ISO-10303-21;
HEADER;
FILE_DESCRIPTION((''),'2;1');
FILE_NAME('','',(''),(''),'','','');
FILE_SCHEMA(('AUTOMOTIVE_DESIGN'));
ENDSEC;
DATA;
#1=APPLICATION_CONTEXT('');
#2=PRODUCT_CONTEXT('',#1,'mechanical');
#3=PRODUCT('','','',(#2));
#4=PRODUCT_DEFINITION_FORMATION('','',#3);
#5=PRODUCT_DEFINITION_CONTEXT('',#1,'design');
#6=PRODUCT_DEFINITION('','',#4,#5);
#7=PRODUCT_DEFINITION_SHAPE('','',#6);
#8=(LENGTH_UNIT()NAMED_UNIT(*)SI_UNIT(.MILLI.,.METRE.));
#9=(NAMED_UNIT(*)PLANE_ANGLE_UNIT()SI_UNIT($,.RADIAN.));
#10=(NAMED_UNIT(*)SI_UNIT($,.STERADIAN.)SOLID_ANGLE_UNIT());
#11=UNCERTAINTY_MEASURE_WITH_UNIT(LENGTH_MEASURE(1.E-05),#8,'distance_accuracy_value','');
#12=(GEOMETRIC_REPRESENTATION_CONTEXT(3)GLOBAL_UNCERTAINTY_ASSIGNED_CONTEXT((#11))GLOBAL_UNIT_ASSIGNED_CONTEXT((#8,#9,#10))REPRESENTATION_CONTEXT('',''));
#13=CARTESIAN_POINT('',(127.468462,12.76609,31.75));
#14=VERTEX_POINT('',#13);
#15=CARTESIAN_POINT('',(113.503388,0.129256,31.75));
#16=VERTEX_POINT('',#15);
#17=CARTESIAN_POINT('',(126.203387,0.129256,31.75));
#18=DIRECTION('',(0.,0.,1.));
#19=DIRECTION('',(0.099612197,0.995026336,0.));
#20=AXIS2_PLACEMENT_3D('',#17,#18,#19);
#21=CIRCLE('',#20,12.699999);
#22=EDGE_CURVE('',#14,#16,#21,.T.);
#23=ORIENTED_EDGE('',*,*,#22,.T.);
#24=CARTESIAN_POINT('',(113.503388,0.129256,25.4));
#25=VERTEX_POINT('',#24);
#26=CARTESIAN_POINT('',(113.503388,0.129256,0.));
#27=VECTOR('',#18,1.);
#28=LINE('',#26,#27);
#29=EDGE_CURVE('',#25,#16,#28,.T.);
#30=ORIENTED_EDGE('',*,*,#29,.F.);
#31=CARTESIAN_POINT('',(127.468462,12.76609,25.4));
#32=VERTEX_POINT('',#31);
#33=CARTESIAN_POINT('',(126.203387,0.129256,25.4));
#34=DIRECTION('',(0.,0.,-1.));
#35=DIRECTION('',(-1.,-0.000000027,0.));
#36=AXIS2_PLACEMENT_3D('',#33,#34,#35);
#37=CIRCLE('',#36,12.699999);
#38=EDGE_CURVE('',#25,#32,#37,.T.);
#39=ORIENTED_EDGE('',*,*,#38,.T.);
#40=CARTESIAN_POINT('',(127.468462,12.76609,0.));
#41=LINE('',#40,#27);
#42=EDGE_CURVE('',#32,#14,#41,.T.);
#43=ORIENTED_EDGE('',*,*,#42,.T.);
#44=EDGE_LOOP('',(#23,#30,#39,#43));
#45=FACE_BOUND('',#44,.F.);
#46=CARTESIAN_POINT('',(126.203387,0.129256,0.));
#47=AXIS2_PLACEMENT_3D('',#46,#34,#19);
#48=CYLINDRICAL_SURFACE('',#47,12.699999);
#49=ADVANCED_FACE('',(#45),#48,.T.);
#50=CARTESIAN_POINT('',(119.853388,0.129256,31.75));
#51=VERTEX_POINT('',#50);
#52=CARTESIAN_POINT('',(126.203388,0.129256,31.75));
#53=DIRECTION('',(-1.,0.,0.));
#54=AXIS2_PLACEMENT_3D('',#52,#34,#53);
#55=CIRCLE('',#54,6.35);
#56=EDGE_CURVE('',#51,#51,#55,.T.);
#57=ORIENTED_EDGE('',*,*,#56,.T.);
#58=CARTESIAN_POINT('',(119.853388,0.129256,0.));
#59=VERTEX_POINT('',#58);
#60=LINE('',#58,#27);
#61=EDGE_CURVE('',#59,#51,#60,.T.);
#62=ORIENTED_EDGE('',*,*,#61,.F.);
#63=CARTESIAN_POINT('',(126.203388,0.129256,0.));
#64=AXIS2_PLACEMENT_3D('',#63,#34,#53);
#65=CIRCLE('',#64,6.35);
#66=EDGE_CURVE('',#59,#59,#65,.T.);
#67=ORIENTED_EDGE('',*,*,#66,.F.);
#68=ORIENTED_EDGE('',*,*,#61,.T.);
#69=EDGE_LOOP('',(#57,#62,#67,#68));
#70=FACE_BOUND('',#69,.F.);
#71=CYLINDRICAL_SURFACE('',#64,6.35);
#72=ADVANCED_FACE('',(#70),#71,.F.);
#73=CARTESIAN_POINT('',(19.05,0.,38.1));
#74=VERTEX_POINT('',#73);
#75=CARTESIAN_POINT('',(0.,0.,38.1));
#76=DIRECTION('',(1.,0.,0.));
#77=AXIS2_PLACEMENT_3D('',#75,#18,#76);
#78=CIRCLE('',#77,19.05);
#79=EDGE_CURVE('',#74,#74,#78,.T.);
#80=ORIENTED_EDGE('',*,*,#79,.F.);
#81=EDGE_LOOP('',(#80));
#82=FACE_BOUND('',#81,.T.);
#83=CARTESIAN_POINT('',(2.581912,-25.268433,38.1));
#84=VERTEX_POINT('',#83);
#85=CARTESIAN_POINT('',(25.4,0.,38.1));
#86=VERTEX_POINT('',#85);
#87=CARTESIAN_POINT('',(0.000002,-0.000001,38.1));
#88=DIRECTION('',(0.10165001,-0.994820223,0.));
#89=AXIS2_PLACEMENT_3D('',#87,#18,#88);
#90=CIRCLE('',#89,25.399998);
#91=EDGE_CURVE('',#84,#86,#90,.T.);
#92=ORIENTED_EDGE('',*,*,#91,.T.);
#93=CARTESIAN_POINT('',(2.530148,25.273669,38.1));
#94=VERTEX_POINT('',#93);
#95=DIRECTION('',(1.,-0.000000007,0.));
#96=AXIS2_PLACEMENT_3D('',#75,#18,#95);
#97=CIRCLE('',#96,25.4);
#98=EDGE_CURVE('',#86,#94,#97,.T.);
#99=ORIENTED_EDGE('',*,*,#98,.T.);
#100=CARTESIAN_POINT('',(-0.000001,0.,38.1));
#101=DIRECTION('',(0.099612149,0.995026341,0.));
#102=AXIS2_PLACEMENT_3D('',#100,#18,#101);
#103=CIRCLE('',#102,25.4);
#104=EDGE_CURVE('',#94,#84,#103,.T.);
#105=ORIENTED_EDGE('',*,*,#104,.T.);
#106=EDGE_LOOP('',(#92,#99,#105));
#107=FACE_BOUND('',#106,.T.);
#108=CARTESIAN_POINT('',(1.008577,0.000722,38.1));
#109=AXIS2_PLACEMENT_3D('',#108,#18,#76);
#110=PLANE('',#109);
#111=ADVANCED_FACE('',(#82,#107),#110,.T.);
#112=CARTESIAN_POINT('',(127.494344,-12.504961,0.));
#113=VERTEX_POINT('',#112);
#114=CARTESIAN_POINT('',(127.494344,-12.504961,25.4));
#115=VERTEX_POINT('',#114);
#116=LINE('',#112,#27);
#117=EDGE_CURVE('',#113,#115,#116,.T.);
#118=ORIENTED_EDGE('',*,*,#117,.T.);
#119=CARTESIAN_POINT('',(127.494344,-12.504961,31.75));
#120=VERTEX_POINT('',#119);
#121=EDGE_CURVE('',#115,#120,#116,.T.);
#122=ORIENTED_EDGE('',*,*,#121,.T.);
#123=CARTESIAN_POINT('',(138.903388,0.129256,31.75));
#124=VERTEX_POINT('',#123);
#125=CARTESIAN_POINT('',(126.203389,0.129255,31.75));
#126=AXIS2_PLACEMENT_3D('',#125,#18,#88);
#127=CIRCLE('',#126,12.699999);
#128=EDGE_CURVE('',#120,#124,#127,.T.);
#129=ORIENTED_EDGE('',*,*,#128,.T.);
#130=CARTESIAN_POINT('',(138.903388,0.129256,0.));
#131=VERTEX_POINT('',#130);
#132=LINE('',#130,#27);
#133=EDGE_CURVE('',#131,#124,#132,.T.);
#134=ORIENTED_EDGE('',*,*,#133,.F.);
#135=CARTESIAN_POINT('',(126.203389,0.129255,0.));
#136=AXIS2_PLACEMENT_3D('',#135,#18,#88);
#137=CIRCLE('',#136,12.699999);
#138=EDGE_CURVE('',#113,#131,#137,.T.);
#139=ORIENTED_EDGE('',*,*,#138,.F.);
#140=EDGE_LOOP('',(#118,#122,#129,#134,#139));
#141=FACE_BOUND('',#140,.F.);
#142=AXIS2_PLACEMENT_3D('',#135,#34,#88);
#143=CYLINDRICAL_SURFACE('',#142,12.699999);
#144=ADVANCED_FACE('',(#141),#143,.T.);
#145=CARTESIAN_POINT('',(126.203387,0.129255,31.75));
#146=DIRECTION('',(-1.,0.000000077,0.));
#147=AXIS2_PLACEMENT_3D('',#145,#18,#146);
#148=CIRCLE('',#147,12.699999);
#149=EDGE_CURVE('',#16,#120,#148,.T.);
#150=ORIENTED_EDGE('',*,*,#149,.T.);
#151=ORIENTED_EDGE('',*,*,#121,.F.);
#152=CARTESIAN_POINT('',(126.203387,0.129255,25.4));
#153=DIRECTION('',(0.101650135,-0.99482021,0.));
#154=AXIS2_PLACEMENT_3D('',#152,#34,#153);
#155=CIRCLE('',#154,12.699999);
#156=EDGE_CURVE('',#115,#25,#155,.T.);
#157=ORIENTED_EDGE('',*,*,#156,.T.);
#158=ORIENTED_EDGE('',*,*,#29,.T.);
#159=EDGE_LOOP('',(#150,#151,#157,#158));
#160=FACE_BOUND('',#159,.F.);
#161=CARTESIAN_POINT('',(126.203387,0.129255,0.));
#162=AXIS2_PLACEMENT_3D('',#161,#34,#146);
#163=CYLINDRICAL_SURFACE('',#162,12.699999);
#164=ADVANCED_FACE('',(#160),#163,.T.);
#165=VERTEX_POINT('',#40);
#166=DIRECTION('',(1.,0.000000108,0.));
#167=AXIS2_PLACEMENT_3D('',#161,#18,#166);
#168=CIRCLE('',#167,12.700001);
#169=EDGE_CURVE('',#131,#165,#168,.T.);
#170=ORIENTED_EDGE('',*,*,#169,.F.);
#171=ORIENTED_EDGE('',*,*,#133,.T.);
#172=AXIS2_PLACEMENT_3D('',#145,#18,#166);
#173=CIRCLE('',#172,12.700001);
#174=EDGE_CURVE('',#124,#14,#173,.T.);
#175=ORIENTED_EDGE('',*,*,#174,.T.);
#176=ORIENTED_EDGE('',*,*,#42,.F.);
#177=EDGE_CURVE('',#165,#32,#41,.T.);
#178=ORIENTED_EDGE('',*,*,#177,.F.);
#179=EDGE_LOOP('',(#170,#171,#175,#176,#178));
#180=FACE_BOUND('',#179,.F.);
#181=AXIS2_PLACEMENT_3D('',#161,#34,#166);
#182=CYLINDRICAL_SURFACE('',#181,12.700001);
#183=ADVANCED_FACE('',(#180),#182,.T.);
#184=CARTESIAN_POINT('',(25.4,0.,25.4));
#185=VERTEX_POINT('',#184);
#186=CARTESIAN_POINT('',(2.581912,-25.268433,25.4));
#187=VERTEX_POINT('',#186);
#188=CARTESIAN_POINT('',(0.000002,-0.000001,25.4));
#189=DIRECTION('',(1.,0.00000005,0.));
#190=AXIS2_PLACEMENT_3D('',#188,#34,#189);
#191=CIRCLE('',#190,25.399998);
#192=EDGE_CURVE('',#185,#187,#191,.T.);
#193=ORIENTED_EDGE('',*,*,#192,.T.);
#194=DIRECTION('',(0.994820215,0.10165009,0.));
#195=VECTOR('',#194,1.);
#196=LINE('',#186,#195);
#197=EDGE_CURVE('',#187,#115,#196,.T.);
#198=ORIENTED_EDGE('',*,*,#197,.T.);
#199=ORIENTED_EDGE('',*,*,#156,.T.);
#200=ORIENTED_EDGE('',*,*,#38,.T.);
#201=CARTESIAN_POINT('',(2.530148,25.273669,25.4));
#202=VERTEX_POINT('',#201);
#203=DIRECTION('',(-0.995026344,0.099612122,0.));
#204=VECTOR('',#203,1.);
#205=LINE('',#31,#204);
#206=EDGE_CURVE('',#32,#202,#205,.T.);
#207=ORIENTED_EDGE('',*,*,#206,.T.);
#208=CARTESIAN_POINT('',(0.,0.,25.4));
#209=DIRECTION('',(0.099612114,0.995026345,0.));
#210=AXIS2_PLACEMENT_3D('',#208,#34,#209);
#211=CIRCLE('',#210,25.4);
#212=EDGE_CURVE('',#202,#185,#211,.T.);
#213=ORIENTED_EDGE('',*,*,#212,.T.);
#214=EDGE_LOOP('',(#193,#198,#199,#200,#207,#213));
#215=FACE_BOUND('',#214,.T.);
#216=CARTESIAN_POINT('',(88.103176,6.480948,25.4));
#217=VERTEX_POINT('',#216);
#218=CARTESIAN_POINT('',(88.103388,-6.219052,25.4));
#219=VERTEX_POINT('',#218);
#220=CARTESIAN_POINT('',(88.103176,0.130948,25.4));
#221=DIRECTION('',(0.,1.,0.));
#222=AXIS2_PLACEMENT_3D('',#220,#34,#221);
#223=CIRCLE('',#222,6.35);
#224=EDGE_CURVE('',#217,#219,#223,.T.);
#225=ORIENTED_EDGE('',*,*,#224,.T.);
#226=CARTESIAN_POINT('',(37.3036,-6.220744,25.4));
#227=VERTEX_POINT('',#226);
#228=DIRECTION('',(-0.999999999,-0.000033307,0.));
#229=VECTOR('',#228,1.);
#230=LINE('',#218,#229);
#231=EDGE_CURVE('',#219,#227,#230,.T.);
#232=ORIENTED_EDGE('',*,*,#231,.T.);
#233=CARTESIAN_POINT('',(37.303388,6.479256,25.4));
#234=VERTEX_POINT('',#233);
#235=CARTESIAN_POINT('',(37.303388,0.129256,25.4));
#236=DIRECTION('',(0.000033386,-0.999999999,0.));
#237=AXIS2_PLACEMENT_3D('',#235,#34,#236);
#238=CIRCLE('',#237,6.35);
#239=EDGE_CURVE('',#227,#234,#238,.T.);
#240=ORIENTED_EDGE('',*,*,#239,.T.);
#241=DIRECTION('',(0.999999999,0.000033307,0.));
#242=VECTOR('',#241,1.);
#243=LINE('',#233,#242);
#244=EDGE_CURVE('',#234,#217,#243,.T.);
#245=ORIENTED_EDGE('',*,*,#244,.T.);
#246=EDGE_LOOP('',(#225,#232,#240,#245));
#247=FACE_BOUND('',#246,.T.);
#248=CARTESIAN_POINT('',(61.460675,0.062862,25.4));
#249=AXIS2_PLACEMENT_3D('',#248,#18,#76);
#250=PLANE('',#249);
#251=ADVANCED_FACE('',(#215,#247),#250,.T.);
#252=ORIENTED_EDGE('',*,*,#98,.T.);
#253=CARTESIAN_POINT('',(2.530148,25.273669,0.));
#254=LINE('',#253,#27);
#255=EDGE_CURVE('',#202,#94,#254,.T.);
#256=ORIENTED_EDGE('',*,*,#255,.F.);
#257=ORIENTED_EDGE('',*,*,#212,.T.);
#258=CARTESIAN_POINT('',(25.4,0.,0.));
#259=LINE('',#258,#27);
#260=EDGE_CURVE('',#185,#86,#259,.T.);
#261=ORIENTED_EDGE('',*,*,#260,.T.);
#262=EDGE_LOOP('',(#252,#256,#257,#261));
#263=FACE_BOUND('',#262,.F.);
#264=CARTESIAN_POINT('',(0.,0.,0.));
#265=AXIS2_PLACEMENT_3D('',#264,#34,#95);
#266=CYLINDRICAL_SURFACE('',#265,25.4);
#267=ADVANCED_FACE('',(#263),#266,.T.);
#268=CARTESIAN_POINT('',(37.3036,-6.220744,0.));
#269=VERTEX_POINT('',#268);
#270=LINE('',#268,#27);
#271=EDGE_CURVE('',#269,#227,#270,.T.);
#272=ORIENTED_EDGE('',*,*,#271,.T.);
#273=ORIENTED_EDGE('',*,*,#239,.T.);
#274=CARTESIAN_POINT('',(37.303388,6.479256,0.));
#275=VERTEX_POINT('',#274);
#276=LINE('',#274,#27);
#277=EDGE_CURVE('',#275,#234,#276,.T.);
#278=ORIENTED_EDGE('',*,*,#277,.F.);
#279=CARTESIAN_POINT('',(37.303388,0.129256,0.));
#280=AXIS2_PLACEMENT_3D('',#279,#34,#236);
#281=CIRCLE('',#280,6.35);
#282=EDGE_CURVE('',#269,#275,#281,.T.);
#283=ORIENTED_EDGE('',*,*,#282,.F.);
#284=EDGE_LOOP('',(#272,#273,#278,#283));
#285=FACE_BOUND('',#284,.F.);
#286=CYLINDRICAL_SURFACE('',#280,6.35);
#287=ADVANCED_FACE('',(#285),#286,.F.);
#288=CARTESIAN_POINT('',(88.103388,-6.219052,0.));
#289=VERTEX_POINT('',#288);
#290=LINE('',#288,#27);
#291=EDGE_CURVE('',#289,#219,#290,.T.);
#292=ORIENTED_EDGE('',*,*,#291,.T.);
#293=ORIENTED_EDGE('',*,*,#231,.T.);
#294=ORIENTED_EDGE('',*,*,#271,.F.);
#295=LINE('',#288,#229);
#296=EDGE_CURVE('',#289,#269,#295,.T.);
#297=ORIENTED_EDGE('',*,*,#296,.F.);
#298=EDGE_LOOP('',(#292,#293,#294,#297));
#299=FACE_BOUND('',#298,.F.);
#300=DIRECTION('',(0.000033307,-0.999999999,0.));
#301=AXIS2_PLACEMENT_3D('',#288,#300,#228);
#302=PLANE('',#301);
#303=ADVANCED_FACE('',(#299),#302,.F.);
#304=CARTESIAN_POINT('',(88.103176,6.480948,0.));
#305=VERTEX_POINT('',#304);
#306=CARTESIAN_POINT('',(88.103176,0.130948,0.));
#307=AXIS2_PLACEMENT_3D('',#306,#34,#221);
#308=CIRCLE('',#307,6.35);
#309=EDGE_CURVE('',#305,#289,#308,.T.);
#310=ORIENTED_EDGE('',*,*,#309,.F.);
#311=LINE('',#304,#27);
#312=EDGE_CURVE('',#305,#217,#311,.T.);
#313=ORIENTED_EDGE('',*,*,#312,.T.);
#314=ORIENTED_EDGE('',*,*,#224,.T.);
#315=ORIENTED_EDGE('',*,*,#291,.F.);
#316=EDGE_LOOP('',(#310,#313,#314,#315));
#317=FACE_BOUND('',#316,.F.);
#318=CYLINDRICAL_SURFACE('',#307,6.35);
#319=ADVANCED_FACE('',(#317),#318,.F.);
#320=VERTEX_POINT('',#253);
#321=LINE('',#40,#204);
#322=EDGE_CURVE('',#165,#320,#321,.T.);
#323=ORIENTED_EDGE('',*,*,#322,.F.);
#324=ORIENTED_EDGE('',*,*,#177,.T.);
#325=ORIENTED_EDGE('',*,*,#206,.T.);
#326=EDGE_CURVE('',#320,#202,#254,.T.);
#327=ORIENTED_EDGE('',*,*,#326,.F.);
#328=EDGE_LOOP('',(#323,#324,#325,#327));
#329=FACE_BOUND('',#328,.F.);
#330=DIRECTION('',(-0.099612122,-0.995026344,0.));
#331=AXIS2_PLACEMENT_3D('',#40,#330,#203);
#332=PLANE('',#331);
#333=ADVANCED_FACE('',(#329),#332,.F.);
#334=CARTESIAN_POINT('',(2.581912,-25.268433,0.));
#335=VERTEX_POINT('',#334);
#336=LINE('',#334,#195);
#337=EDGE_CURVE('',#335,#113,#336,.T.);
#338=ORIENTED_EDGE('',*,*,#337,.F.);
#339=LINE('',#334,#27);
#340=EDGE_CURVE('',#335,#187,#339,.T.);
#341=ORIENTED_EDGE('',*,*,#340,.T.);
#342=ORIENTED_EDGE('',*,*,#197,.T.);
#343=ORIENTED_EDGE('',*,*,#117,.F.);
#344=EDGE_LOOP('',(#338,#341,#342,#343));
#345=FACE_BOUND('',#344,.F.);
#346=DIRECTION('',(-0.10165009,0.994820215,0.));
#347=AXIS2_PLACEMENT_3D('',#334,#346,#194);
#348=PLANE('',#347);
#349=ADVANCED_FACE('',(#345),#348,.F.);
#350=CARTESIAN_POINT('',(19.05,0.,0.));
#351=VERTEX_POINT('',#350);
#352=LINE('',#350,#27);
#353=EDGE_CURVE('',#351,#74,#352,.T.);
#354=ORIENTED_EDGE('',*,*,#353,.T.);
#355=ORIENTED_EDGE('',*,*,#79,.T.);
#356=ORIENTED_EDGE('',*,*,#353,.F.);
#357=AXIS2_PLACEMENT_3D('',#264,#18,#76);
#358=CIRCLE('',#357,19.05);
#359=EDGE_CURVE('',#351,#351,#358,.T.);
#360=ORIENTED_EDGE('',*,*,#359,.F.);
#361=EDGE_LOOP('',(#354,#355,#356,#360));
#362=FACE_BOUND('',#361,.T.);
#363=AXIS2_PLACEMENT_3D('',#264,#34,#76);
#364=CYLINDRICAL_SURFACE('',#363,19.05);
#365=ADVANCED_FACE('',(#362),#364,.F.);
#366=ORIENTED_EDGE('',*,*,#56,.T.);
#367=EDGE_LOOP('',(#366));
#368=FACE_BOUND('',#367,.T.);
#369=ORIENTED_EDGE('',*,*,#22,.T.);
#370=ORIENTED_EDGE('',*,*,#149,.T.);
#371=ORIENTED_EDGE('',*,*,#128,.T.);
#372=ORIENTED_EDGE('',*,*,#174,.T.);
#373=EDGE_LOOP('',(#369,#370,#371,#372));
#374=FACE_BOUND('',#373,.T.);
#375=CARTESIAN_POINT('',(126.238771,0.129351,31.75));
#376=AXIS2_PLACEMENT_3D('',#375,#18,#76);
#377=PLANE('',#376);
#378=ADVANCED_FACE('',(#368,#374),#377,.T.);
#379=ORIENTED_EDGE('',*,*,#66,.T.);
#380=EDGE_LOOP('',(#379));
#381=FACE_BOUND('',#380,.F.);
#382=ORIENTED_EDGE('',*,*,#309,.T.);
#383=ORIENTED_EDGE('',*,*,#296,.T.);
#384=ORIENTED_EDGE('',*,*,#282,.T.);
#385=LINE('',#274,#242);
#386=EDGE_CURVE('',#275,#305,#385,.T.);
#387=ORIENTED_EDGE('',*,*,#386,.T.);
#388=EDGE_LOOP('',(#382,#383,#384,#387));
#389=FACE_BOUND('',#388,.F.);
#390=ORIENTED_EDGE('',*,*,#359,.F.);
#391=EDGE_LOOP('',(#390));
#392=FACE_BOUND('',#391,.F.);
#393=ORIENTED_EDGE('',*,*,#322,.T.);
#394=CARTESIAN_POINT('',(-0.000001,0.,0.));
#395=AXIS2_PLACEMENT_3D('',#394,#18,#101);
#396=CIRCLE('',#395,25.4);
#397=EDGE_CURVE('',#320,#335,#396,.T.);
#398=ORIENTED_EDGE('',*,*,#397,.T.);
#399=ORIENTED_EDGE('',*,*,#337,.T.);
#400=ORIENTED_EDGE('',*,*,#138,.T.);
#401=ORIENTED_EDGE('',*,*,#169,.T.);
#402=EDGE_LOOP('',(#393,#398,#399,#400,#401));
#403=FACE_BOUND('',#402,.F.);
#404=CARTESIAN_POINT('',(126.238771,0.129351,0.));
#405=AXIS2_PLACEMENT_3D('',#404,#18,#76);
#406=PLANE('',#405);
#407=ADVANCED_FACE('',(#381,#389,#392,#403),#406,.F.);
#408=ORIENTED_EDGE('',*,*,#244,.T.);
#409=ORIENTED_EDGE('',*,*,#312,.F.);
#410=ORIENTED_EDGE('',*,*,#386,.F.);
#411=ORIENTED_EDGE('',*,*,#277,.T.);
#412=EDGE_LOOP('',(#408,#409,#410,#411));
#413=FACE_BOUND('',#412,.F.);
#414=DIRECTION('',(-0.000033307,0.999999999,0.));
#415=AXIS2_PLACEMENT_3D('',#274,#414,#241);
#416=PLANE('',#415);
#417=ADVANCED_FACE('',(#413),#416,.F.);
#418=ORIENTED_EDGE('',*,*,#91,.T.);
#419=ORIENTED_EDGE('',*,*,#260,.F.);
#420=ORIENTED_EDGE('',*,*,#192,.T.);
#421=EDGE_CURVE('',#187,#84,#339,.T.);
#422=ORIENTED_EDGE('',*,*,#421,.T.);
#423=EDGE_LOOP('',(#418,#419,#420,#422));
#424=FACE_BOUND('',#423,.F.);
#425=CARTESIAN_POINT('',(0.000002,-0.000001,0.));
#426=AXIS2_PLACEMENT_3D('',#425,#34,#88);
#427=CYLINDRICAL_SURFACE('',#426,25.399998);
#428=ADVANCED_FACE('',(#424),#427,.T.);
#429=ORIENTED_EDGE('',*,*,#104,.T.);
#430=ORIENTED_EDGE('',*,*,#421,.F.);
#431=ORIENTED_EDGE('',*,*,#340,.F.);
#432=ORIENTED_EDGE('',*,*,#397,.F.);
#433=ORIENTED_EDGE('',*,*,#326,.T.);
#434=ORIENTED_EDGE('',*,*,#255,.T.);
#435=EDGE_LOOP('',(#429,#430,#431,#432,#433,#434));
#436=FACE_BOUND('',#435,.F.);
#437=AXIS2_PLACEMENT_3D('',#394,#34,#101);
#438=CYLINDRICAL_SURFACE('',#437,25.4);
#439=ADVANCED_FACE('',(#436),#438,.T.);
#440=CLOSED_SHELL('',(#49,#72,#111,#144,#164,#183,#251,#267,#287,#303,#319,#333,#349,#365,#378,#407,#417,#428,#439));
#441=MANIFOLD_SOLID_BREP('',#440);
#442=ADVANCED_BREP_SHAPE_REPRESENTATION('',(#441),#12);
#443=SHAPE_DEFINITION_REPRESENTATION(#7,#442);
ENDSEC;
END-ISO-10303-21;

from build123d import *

# Parameters (mm, degrees)
F0_R     = 19.05
F1_DEPTH = 38.1
F2_DEPTH = 25.4
F3_DEPTH = 31.75


with BuildPart() as f1:
    # F0 (on Top) → F1 (new body)
    with BuildSketch(Plane.XY):
        with BuildLine():
            ThreePointArc((2.581912, -25.268433), (18.851268, -17.023211), (25.4, 0))
            ThreePointArc((25.4, 0), (18.833823, 17.042509), (2.530148, 25.273669))
            ThreePointArc((2.530148, 25.273669), (-25.399987, -0.026014), (2.581912, -25.268433))
        make_face()
        Circle(F0_R, mode=Mode.SUBTRACT)
    extrude(amount=F1_DEPTH)

    # F0 (on Top) → F2 (join)
    with BuildSketch(Plane.XY):
        with BuildLine():
            ThreePointArc((2.530148, 25.273669), (18.833823, 17.042509), (25.4, 0))
            ThreePointArc((25.4, 0), (18.851268, -17.023211), (2.581912, -25.268433))
            Line((2.581912, -25.268433), (127.494344, -12.504961))
            ThreePointArc((127.494344, -12.504961), (117.691782, -9.296378), (113.503388, 0.129256))
            ThreePointArc((113.503388, 0.129256), (117.682133, 9.546167), (127.468462, 12.76609))
            Line((127.468462, 12.76609), (2.530148, 25.273669))
        make_face()
        with BuildLine():
            ThreePointArc((37.3036, -6.220744), (30.953388, 0.12915), (37.303388, 6.479256))
            Line((37.303388, 6.479256), (88.103176, 6.480948))
            ThreePointArc((88.103176, 6.480948), (94.453176, 0.131054), (88.103388, -6.219052))
            Line((88.103388, -6.219052), (37.3036, -6.220744))
        make_face(mode=Mode.SUBTRACT)
    extrude(amount=F2_DEPTH)

    # F0 (on Top) → F3 (join)
    with BuildSketch(Plane.XY):
        with BuildLine():
            ThreePointArc((138.903388, 0.129256), (135.620299, 8.65051), (127.468462, 12.76609))
            ThreePointArc((127.468462, 12.76609), (117.682133, 9.546167), (113.503388, 0.129256))
            ThreePointArc((113.503388, 0.129256), (117.691782, -9.296378), (127.494344, -12.504961))
            ThreePointArc((127.494344, -12.504961), (135.629022, -8.38235), (138.903388, 0.129256))
        make_face()
        with BuildLine():
            ThreePointArc((132.553388, 0.129256), (126.203388, -6.220744), (119.853388, 0.129256))
            ThreePointArc((119.853388, 0.129256), (126.203388, 6.479256), (132.553388, 0.129256))
        make_face(mode=Mode.SUBTRACT)
    extrude(amount=F3_DEPTH)


solid = f1.part
